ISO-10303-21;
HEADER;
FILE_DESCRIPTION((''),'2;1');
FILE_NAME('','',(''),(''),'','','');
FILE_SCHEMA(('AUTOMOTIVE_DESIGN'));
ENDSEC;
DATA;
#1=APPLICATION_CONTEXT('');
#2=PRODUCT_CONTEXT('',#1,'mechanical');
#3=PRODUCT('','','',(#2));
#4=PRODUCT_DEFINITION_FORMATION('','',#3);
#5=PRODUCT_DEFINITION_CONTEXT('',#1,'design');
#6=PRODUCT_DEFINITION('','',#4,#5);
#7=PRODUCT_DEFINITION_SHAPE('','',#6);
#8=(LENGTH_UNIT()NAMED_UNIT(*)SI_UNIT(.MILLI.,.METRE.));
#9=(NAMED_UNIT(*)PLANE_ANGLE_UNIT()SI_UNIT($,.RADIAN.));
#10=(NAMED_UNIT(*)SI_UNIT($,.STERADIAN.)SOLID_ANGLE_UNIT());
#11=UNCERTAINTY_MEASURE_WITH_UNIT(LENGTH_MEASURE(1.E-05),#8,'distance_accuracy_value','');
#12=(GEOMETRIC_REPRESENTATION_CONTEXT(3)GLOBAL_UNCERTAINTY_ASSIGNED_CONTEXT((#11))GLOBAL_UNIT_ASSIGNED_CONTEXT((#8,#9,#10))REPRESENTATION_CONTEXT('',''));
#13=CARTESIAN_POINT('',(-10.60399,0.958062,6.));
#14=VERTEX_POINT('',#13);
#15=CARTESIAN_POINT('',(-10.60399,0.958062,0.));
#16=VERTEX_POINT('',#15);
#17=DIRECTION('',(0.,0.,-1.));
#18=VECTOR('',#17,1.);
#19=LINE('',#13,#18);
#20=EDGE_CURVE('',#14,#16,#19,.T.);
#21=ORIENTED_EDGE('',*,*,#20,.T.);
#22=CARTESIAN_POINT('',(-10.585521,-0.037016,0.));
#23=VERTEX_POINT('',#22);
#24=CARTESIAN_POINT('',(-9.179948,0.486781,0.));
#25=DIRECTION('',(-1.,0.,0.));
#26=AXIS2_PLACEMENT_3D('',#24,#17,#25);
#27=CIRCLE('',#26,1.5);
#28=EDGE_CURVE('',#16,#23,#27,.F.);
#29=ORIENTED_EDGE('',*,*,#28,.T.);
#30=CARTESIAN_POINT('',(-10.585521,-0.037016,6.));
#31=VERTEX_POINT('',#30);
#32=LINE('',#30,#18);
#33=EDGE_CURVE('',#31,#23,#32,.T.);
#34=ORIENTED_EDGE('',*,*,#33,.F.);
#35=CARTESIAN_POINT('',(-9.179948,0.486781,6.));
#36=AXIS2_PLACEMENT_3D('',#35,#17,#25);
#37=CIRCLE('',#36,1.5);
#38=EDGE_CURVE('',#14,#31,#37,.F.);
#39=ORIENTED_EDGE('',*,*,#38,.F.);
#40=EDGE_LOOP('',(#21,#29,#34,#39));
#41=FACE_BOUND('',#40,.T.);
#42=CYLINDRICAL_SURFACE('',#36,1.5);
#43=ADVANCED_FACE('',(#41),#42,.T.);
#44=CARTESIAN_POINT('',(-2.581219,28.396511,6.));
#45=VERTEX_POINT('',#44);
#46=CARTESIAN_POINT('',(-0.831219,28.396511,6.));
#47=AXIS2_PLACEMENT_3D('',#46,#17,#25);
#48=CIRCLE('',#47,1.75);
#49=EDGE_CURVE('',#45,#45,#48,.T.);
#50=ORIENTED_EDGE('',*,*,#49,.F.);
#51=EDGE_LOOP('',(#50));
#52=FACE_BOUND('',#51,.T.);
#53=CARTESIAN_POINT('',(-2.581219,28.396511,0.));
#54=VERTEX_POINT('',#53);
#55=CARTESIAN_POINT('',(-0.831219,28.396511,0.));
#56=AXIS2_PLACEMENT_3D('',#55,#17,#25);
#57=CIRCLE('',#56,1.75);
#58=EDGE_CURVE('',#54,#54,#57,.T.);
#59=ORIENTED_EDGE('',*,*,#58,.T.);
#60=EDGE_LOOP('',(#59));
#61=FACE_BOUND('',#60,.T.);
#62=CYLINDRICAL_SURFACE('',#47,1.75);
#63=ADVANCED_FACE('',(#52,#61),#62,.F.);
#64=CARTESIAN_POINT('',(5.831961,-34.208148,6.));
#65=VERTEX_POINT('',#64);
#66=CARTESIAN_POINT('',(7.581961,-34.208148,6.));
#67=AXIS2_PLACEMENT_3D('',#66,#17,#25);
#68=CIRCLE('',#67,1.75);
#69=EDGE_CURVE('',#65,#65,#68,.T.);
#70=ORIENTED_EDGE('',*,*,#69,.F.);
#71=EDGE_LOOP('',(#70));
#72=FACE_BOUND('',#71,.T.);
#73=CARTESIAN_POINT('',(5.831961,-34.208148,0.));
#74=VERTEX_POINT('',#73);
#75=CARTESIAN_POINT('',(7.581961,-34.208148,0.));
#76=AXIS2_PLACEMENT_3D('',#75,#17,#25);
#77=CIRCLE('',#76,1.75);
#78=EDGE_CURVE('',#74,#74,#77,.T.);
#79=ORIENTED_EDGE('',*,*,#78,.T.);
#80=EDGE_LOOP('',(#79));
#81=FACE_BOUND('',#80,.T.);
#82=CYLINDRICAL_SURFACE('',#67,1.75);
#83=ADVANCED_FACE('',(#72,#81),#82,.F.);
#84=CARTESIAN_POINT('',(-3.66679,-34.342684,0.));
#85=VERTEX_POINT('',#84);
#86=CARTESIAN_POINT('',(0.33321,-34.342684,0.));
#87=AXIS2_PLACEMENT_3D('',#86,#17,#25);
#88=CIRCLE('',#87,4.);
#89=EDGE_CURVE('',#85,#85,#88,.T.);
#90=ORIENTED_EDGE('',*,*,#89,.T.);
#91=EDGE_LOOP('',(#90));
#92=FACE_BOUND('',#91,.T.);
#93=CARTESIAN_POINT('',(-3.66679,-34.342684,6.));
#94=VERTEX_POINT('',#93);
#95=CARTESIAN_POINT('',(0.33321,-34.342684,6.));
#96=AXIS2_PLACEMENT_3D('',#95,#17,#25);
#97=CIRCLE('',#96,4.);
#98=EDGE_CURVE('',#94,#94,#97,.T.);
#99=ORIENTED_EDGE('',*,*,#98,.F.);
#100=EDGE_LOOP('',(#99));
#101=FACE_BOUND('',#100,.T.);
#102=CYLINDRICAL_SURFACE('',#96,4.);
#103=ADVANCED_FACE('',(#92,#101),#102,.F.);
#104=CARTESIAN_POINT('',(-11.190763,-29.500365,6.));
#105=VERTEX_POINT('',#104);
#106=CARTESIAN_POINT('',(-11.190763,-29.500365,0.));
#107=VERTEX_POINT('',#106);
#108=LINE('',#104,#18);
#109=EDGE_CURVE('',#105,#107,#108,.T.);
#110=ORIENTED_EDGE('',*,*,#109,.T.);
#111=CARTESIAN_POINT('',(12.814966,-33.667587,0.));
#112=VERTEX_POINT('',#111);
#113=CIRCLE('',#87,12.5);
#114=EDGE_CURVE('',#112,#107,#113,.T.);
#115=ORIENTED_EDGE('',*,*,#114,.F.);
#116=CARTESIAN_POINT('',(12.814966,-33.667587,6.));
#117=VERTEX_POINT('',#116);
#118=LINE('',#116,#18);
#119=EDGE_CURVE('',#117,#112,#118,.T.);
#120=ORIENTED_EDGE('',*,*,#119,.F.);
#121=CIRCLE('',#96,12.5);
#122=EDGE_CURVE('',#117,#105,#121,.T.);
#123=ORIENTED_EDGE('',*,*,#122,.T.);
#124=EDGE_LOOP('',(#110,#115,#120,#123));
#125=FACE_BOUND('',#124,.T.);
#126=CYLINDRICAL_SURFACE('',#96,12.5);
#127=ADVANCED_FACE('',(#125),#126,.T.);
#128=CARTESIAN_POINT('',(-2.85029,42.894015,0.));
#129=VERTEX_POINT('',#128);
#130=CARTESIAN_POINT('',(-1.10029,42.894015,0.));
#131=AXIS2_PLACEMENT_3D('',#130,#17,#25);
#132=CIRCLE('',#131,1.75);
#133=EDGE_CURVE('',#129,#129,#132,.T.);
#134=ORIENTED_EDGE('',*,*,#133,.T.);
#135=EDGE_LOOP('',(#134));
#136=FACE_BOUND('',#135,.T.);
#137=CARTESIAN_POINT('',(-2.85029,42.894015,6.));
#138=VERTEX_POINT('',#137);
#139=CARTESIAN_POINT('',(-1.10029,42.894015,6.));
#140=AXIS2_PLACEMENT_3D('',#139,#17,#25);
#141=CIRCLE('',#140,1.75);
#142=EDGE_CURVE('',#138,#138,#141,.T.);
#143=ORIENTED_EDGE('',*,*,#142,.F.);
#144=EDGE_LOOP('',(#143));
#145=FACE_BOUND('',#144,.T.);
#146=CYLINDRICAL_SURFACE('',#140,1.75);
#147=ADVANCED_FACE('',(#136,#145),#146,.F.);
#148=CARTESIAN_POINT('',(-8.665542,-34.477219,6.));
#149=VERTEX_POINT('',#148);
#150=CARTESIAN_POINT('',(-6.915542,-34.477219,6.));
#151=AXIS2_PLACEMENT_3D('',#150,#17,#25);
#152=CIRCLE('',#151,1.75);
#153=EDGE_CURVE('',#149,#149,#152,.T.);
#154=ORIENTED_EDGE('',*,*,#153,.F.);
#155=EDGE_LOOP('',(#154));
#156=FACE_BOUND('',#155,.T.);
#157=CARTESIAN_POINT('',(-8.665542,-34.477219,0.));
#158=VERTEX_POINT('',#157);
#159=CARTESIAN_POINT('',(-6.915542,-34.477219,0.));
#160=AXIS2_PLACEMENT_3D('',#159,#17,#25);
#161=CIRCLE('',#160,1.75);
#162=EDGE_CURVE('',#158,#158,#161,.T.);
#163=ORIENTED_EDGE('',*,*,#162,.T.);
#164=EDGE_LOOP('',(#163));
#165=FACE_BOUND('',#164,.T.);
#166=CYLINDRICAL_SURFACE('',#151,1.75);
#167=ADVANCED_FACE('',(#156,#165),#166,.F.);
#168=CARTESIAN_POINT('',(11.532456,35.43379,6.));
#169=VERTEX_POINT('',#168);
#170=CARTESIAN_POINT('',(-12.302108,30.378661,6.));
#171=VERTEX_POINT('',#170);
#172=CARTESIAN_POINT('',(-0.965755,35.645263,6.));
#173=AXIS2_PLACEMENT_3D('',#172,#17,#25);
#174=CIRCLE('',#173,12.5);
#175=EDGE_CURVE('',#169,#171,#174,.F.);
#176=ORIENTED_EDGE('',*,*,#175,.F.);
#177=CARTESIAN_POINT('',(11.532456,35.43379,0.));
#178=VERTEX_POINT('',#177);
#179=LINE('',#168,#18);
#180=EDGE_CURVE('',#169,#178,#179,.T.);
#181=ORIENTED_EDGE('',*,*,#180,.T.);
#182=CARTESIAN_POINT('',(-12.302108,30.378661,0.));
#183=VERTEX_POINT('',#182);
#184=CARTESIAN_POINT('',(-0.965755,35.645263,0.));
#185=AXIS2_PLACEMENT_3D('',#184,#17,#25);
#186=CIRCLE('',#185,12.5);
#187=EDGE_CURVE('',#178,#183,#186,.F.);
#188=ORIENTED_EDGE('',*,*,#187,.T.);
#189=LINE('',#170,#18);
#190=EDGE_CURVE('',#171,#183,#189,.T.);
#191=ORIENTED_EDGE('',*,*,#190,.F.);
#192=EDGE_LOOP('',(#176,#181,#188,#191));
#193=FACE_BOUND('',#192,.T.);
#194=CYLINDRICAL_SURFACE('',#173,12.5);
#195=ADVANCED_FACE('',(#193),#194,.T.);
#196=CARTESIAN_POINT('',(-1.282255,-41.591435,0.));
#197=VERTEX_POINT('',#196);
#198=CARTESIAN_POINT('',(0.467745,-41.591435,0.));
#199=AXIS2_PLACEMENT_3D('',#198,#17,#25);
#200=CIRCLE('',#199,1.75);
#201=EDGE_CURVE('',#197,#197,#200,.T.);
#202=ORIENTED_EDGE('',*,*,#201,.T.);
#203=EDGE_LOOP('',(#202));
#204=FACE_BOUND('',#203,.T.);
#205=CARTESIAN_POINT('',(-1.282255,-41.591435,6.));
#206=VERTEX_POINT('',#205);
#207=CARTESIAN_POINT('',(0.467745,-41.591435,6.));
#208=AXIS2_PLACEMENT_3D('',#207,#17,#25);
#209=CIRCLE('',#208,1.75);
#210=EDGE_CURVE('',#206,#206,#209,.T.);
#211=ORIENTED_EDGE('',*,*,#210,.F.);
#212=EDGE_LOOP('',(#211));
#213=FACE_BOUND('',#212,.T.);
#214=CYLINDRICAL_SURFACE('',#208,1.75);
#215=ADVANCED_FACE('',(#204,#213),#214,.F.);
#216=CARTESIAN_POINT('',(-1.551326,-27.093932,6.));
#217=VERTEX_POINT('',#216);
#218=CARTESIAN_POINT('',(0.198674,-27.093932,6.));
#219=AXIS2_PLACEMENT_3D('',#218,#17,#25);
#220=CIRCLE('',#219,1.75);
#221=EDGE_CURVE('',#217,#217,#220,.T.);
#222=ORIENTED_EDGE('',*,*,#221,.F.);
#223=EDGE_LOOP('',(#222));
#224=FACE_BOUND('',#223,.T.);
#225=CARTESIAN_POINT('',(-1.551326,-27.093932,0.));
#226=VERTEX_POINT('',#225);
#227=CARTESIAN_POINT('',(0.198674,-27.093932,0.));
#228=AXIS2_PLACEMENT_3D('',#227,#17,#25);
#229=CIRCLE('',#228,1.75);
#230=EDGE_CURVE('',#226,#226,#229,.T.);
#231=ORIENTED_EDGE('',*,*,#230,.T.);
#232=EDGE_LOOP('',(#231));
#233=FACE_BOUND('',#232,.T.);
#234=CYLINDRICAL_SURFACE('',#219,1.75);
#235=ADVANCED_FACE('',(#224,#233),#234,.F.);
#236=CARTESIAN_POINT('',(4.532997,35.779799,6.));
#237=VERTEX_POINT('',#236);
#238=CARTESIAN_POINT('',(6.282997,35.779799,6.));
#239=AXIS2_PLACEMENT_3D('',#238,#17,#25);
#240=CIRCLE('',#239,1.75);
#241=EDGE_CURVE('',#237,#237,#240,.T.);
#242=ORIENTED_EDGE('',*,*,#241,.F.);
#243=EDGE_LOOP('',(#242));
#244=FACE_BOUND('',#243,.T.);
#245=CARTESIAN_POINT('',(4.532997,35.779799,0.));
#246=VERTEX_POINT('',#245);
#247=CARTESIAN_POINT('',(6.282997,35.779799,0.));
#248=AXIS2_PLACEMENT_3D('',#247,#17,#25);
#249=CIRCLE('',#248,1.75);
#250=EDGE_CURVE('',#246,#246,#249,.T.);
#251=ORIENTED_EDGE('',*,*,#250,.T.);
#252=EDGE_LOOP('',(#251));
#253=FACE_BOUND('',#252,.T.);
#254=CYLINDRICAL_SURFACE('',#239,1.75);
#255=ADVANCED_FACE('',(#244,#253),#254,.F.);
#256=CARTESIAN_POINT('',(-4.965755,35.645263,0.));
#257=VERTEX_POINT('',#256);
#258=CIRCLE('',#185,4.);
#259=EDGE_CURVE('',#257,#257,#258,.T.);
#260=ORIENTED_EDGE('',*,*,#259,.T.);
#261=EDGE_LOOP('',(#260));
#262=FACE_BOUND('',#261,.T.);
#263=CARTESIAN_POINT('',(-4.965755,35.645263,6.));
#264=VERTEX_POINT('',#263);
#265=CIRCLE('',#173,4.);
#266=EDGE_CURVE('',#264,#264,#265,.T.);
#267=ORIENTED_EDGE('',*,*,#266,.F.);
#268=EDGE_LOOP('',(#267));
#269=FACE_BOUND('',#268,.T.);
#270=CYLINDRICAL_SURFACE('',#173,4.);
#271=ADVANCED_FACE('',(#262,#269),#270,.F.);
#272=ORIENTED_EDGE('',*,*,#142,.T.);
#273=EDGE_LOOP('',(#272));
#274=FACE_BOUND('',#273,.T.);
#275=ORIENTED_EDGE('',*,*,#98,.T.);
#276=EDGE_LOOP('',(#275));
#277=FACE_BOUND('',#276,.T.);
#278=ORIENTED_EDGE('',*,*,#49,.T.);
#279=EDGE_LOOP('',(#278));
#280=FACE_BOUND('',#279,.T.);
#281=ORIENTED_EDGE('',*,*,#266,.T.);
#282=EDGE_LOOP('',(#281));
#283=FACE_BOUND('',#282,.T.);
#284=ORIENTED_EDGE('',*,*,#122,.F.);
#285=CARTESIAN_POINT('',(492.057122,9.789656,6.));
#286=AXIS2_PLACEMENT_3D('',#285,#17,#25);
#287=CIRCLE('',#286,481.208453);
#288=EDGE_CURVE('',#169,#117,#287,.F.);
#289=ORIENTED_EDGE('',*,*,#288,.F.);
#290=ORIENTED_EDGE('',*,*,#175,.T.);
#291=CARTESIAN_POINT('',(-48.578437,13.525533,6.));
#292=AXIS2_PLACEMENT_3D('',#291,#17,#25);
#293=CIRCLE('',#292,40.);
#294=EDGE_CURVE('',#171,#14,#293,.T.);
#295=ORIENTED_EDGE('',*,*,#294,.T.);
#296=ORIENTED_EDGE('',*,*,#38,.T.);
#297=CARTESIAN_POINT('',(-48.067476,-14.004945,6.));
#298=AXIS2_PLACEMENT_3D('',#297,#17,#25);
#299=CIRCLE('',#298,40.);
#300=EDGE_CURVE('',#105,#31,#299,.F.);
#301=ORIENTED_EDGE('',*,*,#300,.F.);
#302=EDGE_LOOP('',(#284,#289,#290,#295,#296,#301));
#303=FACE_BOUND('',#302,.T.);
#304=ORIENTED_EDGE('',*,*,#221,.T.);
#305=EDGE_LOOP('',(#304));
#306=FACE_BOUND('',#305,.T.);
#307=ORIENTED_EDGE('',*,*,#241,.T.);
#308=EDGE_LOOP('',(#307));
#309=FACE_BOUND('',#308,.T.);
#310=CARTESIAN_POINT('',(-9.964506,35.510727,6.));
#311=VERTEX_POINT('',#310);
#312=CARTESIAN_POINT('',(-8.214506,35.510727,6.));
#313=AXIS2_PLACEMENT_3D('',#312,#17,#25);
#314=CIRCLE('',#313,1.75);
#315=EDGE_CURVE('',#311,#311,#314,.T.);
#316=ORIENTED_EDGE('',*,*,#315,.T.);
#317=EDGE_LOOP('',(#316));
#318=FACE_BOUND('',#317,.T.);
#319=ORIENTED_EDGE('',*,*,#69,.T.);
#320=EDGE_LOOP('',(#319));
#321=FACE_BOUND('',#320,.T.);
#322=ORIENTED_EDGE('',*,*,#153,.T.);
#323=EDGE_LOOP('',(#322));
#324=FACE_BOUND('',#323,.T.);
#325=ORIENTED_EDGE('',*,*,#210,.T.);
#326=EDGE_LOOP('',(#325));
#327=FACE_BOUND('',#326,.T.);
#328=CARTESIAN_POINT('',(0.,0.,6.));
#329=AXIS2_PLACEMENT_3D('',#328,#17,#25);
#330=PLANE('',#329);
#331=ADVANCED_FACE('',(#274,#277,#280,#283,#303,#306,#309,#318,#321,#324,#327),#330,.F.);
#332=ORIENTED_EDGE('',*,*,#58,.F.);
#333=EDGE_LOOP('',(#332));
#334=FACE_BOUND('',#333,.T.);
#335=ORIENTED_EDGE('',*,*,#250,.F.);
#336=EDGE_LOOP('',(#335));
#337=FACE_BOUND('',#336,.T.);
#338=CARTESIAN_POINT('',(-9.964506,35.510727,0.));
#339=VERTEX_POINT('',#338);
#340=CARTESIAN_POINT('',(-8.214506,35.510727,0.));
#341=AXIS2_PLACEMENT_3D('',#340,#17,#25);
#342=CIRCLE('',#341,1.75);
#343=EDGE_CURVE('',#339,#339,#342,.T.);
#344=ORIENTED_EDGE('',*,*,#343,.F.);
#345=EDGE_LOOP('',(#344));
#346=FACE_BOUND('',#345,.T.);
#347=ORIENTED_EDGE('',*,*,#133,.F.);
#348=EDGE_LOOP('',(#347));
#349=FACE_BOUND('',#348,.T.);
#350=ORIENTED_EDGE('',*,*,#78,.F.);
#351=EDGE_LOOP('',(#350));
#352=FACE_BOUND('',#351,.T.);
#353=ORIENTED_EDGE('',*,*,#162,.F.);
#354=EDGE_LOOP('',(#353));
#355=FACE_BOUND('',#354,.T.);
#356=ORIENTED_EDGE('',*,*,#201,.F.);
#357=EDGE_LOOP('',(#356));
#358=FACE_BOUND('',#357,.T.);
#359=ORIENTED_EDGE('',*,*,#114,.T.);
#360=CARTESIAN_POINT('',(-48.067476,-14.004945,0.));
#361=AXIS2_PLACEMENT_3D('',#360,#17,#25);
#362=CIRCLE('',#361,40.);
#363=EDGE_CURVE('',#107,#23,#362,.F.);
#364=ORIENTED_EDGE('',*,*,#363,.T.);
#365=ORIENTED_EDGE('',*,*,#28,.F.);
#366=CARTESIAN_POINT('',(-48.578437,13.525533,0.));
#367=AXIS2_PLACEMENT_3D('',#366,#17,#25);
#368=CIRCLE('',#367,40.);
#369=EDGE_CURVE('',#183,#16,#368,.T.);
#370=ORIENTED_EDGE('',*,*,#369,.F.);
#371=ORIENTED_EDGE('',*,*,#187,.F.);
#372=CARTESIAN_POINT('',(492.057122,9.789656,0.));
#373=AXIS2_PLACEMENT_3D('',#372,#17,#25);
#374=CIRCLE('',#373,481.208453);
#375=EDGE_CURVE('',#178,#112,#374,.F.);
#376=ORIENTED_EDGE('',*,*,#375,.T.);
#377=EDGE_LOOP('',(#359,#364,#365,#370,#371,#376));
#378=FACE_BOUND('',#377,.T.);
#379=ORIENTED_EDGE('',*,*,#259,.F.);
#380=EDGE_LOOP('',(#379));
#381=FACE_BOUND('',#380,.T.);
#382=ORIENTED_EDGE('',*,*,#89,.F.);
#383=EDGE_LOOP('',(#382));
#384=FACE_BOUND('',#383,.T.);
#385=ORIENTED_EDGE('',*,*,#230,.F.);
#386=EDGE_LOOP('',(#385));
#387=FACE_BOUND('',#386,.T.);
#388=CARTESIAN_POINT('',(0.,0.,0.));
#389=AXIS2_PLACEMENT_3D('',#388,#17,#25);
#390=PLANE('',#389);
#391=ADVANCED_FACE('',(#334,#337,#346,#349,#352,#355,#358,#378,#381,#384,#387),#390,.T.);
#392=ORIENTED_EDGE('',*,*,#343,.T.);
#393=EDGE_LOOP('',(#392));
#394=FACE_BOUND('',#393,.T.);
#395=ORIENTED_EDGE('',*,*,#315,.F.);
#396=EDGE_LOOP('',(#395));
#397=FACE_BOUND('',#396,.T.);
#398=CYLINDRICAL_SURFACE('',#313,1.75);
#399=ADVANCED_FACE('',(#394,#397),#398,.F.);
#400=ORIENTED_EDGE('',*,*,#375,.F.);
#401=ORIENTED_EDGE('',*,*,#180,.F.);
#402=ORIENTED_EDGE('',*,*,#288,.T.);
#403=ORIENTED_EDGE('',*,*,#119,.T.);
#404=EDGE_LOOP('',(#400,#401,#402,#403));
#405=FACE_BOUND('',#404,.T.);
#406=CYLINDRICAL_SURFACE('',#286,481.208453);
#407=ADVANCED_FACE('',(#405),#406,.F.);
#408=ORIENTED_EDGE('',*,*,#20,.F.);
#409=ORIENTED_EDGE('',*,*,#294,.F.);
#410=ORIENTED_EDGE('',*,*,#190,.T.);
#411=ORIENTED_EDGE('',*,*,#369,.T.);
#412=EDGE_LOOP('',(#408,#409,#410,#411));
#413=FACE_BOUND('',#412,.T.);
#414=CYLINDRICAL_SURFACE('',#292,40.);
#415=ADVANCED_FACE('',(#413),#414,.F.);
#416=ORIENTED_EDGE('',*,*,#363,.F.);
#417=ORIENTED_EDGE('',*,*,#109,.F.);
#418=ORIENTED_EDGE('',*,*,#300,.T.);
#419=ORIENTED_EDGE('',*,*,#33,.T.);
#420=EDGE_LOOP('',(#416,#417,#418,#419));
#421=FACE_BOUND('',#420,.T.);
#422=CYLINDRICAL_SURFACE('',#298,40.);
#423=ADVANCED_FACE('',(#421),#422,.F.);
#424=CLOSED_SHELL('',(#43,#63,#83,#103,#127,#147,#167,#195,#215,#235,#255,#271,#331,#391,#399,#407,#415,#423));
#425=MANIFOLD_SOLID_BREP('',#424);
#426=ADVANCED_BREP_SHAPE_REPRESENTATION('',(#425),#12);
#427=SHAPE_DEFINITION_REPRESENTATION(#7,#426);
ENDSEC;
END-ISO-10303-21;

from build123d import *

# Parameters (mm, degrees)
SKETCH1_W           = 30
SKETCH1_H           = 100
BOSS_EXTRUDE1_DEPTH = 6
SKETCH2_W           = 30
SKETCH2_H           = 100
SKETCH2_R           = 4
SKETCH2_R_2         = 1.75
CUT_EXTRUDE1_DEPTH  = 6


with BuildPart() as part:
    # Sketch1 → Boss-Extrude1 (new body)
    with BuildSketch(Plane.XY):
        Rectangle(SKETCH1_W, SKETCH1_H)
    extrude(amount=BOSS_EXTRUDE1_DEPTH)

    # Sketch2 → Cut-Extrude1 (cut)
    # profile 1 of 11: a face of its own
    with BuildSketch(Plane(origin=(0, 0, 0), x_dir=(-1, 0, 0), z_dir=(0, 0, -1))):
        Rectangle(SKETCH2_W, SKETCH2_H)
        with BuildLine():
            ThreePointArc((-11.532456366, 35.433789865), (-10.931527192, 0.86004689), (-12.814966119, -33.667586637))
            ThreePointArc((-12.814966119, -33.667586637), (1.804726533, -46.658495876), (11.190763167, -29.50036508))
            ThreePointArc((11.190763167, -29.50036508), (8.075913228, -14.826459902), (10.585521288, -0.037016008))
            ThreePointArc((10.585521288, -0.037016008), (10.679689693, 0.458946393), (10.603989757, 0.958061522))
            ThreePointArc((10.603989757, 0.958061522), (8.644900126, 15.830443683), (12.302107664, 30.37866063))
            ThreePointArc((12.302107664, 30.37866063), (12.787952713, 31.585012611), (13.145828199, 32.835314836))
            ThreePointArc((13.145828199, 32.835314836), (2.274693549, 48.076541281), (-11.532456366, 35.433789865))
        make_face(mode=Mode.SUBTRACT)
    # profile 2 of 11: a face of its own
    with BuildSketch(Plane(origin=(0, 0, 0), x_dir=(-1, 0, 0), z_dir=(0, 0, -1))):
        with Locations((0.965754671, 35.645263027)):
            Circle(SKETCH2_R)
    # profile 3 of 11: a face of its own
    with BuildSketch(Plane(origin=(0, 0, 0), x_dir=(-1, 0, 0), z_dir=(0, 0, -1))):
        with Locations((1.100290264, 42.894014656)):
            Circle(SKETCH2_R_2)
    # profile 4 of 11: a face of its own
    with BuildSketch(Plane(origin=(0, 0, 0), x_dir=(-1, 0, 0), z_dir=(0, 0, -1))):
        with Locations((8.214506299, 35.510727434)):
            Circle(SKETCH2_R_2)
    # profile 5 of 11: a face of its own
    with BuildSketch(Plane(origin=(0, 0, 0), x_dir=(-1, 0, 0), z_dir=(0, 0, -1))):
        with Locations((0.831219078, 28.396511399)):
            Circle(SKETCH2_R_2)
    # profile 6 of 11: a face of its own
    with BuildSketch(Plane(origin=(0, 0, 0), x_dir=(-1, 0, 0), z_dir=(0, 0, -1))):
        with Locations((-6.282996958, 35.77979862)):
            Circle(SKETCH2_R_2)
    # profile 7 of 11: a face of its own
    with BuildSketch(Plane(origin=(0, 0, 0), x_dir=(-1, 0, 0), z_dir=(0, 0, -1))):
        with Locations((-0.333209676, -34.342683732)):
            Circle(SKETCH2_R)
    # profile 8 of 11: a face of its own
    with BuildSketch(Plane(origin=(0, 0, 0), x_dir=(-1, 0, 0), z_dir=(0, 0, -1))):
        with Locations((-0.198674083, -27.093932103)):
            Circle(SKETCH2_R_2)
    # profile 9 of 11: a face of its own
    with BuildSketch(Plane(origin=(0, 0, 0), x_dir=(-1, 0, 0), z_dir=(0, 0, -1))):
        with Locations((6.915541953, -34.477219325)):
            Circle(SKETCH2_R_2)
    # profile 10 of 11: a face of its own
    with BuildSketch(Plane(origin=(0, 0, 0), x_dir=(-1, 0, 0), z_dir=(0, 0, -1))):
        with Locations((-7.581961304, -34.208148139)):
            Circle(SKETCH2_R_2)
    # profile 11 of 11: a face of its own
    with BuildSketch(Plane(origin=(0, 0, 0), x_dir=(-1, 0, 0), z_dir=(0, 0, -1))):
        with Locations((-0.467745269, -41.591435361)):
            Circle(SKETCH2_R_2)
    extrude(amount=-CUT_EXTRUDE1_DEPTH, mode=Mode.SUBTRACT)


solid = part.part
